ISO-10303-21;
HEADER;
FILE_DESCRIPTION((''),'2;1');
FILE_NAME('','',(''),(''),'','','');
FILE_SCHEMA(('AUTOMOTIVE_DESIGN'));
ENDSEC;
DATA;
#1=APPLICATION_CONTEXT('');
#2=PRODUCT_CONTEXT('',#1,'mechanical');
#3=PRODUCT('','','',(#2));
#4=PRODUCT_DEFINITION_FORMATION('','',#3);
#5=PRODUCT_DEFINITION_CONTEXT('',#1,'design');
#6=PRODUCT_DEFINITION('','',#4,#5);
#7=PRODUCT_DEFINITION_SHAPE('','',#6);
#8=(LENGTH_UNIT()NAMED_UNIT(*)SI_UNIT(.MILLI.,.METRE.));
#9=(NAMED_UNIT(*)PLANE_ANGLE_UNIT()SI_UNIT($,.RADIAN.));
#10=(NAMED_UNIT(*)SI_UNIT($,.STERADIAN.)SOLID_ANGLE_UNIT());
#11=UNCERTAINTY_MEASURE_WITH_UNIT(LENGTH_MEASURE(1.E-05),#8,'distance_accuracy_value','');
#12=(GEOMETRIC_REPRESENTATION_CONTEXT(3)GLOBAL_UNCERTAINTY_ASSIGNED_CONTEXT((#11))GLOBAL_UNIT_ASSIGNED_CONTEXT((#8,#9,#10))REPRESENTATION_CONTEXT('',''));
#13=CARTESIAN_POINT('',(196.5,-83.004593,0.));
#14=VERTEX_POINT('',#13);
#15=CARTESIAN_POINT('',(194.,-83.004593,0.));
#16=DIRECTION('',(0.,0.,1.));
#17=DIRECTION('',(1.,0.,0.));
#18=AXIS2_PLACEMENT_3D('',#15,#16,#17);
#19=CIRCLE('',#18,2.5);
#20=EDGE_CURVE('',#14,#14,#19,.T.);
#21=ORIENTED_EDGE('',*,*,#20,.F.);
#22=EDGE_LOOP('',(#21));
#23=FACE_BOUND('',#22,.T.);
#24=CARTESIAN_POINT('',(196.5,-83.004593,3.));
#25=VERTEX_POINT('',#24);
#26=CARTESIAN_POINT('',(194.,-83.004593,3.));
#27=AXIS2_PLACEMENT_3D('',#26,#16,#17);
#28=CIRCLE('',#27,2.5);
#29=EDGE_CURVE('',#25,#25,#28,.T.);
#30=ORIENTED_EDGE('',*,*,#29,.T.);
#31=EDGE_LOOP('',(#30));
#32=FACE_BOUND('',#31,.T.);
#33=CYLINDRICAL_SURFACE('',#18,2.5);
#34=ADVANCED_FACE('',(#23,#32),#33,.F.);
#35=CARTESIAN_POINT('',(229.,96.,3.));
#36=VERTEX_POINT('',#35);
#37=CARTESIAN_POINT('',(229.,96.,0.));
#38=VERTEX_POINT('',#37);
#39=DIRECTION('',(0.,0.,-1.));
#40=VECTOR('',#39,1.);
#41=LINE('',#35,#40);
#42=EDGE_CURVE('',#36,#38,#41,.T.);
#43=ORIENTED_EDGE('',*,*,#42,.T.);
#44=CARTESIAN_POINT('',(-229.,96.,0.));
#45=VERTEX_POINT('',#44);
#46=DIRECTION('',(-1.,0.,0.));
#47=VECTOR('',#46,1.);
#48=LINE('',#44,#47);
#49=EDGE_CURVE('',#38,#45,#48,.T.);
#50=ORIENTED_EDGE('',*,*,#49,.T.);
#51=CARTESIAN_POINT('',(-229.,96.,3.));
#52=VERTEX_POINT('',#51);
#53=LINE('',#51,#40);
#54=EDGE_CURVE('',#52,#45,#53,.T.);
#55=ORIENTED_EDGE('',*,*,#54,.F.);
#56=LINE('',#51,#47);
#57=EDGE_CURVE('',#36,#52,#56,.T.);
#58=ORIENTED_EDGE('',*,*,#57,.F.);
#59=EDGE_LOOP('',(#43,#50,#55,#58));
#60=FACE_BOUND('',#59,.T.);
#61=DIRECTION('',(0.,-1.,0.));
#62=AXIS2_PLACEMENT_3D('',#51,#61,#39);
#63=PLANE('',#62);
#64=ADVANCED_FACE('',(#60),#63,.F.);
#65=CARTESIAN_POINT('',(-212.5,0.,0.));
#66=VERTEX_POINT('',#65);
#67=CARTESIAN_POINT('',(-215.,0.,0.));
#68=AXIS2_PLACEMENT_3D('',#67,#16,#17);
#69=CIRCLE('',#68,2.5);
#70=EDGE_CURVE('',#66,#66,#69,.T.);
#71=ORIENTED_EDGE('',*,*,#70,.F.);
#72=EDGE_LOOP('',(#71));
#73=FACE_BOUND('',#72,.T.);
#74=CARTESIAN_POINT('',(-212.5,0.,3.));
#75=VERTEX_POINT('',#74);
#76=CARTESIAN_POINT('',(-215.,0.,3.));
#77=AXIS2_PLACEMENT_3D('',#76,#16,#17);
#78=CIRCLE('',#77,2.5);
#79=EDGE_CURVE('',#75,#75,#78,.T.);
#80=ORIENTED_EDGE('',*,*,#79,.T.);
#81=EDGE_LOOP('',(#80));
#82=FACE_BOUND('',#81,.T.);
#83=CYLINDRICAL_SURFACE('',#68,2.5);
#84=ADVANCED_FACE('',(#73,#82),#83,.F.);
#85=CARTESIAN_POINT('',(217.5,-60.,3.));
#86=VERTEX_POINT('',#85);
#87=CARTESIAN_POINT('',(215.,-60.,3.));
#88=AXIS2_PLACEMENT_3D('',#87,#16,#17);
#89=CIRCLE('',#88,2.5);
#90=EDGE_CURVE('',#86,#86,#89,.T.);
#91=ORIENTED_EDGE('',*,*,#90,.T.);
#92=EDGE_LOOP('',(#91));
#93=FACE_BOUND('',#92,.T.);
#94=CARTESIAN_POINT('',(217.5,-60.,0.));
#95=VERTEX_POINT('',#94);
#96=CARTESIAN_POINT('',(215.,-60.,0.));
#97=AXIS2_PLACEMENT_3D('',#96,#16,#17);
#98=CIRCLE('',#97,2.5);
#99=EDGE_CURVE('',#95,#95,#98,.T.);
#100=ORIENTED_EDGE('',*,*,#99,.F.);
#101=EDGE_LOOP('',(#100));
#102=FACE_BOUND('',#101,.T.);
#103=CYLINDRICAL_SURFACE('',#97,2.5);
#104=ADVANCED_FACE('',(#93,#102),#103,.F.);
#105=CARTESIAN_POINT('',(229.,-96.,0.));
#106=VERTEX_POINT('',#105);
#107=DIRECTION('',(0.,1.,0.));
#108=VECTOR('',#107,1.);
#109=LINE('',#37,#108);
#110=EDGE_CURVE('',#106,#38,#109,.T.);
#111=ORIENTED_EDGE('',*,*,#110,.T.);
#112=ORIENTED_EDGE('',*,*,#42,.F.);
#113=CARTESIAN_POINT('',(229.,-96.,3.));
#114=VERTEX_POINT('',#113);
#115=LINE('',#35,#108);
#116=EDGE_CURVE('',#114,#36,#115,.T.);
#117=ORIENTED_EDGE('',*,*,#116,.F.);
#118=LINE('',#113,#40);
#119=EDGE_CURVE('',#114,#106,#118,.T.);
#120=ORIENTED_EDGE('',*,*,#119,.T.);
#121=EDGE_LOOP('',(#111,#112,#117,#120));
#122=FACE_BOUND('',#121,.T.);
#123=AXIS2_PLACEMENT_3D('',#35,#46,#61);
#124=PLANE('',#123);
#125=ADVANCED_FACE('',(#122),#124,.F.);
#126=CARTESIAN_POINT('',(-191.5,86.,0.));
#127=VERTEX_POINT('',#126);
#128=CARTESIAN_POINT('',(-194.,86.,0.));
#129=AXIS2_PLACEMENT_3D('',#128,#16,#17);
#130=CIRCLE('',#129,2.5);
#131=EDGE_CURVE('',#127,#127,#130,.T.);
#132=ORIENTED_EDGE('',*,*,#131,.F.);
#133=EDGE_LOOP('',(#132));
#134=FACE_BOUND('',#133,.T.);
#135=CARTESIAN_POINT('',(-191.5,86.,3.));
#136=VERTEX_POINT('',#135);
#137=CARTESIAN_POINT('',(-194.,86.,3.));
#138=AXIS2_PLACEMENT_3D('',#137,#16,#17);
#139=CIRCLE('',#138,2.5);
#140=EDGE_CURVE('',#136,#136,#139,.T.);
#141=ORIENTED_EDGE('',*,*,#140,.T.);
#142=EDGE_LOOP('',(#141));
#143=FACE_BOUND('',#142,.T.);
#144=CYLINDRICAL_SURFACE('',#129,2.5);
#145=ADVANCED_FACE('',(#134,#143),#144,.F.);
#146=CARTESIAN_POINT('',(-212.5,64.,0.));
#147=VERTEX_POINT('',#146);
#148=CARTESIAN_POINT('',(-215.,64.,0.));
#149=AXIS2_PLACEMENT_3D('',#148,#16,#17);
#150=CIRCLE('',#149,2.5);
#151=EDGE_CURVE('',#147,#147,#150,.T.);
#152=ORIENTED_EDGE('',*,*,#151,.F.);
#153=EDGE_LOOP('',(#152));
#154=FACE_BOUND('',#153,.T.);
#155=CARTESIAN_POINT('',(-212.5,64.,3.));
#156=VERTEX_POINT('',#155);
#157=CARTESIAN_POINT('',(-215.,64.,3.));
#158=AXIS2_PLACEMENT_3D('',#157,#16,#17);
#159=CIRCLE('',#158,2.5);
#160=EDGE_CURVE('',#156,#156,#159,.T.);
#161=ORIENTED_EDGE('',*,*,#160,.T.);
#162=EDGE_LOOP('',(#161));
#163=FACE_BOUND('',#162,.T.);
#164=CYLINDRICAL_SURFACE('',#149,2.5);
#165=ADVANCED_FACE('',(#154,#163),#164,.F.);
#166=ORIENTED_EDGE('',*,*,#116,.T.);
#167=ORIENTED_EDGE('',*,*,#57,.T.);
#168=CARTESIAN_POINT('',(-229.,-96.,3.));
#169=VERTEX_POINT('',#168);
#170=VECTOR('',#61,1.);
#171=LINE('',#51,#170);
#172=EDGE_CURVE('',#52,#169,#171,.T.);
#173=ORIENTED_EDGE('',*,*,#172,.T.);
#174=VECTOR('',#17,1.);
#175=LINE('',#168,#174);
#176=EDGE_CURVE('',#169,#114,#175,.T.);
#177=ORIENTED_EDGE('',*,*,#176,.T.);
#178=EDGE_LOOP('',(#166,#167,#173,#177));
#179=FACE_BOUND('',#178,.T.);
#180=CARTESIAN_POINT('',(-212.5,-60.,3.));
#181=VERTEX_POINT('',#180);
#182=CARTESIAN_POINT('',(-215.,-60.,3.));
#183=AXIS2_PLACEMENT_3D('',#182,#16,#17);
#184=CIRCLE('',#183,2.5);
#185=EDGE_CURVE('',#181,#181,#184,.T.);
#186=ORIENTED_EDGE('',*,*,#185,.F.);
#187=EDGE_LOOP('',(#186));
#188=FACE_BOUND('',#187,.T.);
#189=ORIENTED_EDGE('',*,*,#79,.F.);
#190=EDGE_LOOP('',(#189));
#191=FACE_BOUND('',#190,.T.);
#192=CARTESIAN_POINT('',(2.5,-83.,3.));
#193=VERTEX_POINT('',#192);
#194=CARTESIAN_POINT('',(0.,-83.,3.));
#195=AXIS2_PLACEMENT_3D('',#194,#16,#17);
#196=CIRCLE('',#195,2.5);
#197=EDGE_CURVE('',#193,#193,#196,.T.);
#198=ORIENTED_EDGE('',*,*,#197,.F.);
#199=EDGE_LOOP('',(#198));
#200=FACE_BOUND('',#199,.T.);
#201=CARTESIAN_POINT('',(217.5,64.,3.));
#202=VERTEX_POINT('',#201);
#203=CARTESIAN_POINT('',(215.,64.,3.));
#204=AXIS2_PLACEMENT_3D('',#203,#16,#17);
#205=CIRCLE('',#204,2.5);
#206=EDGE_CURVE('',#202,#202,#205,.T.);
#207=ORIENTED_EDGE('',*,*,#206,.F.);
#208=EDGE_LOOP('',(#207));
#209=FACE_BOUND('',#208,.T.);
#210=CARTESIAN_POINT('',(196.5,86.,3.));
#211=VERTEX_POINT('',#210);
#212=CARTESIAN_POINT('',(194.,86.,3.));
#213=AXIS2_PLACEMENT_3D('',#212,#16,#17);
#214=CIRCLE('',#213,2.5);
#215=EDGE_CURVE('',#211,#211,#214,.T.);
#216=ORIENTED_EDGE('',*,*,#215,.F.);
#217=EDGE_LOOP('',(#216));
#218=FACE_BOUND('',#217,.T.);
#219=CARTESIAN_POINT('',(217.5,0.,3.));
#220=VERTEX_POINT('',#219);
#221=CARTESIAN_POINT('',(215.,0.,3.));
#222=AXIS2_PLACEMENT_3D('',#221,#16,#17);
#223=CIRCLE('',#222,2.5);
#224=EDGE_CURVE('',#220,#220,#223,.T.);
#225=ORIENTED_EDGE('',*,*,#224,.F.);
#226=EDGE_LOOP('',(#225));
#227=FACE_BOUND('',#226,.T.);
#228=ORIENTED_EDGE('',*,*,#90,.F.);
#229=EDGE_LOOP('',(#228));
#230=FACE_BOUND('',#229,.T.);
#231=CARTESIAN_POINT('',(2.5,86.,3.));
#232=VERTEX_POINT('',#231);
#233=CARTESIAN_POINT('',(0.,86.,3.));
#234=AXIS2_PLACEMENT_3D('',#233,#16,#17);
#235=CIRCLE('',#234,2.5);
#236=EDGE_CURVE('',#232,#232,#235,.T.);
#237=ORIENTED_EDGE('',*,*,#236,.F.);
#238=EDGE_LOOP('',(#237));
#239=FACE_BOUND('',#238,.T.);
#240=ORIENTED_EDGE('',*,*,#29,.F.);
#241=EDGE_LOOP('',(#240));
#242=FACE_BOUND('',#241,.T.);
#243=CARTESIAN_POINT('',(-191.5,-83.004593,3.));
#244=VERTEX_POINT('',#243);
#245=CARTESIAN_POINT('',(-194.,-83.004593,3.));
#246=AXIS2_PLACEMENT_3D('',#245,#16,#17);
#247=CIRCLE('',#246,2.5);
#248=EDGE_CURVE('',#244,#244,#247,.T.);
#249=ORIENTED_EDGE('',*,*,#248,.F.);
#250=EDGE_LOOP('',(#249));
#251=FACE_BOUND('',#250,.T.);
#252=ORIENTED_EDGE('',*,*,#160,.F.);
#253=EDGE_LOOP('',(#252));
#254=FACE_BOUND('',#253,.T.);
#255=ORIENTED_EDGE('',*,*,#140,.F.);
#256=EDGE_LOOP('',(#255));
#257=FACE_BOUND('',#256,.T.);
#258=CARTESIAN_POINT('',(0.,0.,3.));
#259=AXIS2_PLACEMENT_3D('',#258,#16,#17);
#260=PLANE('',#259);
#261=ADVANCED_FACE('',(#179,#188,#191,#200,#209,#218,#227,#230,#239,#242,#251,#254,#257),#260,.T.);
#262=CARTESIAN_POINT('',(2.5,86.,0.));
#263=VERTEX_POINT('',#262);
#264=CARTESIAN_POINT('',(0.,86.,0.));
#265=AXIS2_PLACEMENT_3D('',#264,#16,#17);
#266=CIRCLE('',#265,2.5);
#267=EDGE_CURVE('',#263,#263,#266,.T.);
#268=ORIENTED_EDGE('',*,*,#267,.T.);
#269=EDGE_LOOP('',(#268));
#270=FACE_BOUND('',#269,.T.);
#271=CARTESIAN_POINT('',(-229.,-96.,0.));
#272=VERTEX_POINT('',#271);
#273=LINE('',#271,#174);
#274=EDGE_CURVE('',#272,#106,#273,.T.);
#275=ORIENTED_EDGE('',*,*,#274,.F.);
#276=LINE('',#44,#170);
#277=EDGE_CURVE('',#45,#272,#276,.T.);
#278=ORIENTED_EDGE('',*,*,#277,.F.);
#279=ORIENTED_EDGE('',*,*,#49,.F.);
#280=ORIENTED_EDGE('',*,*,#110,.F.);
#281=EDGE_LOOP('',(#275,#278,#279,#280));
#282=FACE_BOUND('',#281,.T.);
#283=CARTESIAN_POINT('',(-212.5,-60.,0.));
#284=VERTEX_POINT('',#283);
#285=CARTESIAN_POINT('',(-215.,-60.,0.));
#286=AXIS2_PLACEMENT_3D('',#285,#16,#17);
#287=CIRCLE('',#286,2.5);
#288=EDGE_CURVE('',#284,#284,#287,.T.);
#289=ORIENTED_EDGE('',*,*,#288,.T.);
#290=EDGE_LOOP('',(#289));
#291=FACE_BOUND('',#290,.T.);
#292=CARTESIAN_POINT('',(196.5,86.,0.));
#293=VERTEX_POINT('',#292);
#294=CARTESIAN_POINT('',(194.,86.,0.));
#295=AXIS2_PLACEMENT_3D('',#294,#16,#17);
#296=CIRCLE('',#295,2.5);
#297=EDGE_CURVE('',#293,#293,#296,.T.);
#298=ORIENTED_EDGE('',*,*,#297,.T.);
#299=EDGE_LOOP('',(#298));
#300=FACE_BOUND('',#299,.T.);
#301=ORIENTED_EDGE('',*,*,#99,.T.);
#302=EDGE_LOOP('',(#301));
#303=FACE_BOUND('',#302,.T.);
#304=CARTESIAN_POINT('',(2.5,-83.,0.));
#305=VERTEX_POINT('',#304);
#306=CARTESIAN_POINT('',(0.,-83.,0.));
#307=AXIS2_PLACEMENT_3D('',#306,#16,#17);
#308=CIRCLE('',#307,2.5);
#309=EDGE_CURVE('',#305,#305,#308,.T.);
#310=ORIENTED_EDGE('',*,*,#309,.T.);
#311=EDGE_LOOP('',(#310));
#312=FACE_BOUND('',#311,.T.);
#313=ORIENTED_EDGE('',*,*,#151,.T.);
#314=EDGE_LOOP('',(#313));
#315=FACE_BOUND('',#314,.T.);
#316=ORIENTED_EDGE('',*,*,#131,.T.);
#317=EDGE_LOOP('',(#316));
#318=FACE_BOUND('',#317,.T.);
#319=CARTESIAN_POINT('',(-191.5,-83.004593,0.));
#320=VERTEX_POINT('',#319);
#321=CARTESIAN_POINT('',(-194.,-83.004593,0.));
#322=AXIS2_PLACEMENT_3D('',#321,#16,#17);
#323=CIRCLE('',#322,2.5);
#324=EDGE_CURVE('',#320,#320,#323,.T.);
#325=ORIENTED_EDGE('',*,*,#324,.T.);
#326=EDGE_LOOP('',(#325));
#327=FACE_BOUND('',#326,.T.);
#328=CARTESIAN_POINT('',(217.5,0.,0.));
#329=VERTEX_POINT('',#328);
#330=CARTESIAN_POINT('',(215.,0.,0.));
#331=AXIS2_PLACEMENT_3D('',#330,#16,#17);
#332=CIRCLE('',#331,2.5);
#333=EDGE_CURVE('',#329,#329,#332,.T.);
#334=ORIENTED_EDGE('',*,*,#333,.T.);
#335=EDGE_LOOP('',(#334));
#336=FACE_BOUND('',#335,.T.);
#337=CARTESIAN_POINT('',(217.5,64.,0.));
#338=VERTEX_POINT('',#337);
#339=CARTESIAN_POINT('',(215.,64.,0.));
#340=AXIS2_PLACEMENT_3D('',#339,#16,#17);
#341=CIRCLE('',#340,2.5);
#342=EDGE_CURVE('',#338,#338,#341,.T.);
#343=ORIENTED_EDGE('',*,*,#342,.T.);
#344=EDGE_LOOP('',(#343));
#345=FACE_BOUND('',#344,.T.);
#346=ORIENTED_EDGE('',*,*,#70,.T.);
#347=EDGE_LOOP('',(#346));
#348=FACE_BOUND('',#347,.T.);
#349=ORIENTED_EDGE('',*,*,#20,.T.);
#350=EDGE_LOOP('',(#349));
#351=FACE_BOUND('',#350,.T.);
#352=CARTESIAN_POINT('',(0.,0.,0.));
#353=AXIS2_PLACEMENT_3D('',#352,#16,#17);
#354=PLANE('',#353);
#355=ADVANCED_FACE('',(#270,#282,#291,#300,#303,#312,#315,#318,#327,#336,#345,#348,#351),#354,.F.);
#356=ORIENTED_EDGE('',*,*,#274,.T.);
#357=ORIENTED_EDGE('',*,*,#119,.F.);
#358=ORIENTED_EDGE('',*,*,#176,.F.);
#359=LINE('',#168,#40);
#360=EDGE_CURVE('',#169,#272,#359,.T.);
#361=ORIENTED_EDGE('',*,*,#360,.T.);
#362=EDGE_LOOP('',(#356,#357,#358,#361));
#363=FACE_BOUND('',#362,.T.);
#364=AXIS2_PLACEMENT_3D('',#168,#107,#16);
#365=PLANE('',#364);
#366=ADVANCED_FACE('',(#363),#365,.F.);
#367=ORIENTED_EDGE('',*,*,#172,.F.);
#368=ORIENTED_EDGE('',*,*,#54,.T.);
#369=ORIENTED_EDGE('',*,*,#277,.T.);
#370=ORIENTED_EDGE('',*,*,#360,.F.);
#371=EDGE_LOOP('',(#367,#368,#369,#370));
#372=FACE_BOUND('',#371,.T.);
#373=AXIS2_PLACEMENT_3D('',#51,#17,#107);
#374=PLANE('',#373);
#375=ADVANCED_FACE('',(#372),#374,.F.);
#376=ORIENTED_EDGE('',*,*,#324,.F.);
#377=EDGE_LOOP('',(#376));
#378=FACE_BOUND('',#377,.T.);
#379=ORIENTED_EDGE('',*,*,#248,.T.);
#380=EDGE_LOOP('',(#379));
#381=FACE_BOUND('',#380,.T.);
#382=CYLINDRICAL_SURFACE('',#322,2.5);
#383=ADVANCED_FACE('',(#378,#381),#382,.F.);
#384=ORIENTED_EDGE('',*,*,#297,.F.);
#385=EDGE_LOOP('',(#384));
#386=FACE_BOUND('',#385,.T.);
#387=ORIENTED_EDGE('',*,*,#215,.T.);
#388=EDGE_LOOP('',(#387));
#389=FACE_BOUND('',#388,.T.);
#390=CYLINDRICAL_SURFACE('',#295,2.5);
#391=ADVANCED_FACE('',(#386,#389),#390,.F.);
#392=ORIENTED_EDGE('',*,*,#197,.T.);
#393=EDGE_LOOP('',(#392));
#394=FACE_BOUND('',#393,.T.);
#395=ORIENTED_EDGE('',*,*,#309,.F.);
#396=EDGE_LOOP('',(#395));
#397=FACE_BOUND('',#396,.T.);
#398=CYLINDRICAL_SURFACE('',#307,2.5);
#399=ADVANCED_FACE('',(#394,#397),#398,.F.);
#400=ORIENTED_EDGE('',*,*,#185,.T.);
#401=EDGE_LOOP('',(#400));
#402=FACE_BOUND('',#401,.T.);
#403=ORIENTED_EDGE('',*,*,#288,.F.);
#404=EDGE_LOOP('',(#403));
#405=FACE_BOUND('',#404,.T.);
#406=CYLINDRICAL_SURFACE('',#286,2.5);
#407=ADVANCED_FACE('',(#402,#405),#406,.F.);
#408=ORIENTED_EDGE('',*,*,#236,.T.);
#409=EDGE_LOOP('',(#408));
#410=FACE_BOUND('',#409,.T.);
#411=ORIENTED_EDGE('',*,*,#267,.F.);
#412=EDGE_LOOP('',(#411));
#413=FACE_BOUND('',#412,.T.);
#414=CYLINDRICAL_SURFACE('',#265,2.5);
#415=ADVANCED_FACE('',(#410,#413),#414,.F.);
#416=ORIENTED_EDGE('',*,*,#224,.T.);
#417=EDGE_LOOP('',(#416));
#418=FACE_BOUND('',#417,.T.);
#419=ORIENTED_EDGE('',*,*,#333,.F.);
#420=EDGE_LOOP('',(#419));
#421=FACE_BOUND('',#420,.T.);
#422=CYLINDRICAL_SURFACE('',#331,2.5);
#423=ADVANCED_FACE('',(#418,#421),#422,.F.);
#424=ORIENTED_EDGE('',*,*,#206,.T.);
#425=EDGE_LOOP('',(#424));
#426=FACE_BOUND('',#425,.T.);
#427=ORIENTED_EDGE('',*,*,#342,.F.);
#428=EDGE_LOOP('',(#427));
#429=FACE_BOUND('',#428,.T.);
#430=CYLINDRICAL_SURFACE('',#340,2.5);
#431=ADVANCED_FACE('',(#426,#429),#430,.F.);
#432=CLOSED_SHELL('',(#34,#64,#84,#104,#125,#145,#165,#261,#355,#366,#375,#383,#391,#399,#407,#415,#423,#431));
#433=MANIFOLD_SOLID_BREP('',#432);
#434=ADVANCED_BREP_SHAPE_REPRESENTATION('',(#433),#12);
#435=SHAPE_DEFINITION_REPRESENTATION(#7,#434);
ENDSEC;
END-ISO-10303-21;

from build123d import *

# Parameters (mm, degrees)
SKETCH1_W           = 458
SKETCH1_H           = 192
BOSS_EXTRUDE1_DEPTH = 3
SKETCH2_R           = 2.5
CUT_EXTRUDE1_DEPTH  = 249.326398113


with BuildPart() as part:
    # Sketch1 → Boss-Extrude1 (new body)
    with BuildSketch(Plane.XY):
        Rectangle(SKETCH1_W, SKETCH1_H)
    extrude(amount=BOSS_EXTRUDE1_DEPTH)

    # Sketch2 → Cut-Extrude1 (cut, through all)
    with BuildSketch(Plane.XY.offset(3)):
        with Locations((-194, 86)):
            Circle(SKETCH2_R)
        with Locations((-194, -83.004592541)):
            Circle(SKETCH2_R)
        with Locations((194, -83.004592541)):
            Circle(SKETCH2_R)
        with Locations((194, 86)):
            Circle(SKETCH2_R)
        with Locations((-215, 0)):
            Circle(SKETCH2_R)
        with Locations((-215, -60)):
            Circle(SKETCH2_R)
        with Locations((-215, 64)):
            Circle(SKETCH2_R)
        with Locations((215, 0)):
            Circle(SKETCH2_R)
        with Locations((215, -60)):
            Circle(SKETCH2_R)
        with Locations((215, 64)):
            Circle(SKETCH2_R)
        with Locations((0, 86)):
            Circle(SKETCH2_R)
        with Locations((0, -83)):
            Circle(SKETCH2_R)
    extrude(amount=-CUT_EXTRUDE1_DEPTH, mode=Mode.SUBTRACT)


solid = part.part
